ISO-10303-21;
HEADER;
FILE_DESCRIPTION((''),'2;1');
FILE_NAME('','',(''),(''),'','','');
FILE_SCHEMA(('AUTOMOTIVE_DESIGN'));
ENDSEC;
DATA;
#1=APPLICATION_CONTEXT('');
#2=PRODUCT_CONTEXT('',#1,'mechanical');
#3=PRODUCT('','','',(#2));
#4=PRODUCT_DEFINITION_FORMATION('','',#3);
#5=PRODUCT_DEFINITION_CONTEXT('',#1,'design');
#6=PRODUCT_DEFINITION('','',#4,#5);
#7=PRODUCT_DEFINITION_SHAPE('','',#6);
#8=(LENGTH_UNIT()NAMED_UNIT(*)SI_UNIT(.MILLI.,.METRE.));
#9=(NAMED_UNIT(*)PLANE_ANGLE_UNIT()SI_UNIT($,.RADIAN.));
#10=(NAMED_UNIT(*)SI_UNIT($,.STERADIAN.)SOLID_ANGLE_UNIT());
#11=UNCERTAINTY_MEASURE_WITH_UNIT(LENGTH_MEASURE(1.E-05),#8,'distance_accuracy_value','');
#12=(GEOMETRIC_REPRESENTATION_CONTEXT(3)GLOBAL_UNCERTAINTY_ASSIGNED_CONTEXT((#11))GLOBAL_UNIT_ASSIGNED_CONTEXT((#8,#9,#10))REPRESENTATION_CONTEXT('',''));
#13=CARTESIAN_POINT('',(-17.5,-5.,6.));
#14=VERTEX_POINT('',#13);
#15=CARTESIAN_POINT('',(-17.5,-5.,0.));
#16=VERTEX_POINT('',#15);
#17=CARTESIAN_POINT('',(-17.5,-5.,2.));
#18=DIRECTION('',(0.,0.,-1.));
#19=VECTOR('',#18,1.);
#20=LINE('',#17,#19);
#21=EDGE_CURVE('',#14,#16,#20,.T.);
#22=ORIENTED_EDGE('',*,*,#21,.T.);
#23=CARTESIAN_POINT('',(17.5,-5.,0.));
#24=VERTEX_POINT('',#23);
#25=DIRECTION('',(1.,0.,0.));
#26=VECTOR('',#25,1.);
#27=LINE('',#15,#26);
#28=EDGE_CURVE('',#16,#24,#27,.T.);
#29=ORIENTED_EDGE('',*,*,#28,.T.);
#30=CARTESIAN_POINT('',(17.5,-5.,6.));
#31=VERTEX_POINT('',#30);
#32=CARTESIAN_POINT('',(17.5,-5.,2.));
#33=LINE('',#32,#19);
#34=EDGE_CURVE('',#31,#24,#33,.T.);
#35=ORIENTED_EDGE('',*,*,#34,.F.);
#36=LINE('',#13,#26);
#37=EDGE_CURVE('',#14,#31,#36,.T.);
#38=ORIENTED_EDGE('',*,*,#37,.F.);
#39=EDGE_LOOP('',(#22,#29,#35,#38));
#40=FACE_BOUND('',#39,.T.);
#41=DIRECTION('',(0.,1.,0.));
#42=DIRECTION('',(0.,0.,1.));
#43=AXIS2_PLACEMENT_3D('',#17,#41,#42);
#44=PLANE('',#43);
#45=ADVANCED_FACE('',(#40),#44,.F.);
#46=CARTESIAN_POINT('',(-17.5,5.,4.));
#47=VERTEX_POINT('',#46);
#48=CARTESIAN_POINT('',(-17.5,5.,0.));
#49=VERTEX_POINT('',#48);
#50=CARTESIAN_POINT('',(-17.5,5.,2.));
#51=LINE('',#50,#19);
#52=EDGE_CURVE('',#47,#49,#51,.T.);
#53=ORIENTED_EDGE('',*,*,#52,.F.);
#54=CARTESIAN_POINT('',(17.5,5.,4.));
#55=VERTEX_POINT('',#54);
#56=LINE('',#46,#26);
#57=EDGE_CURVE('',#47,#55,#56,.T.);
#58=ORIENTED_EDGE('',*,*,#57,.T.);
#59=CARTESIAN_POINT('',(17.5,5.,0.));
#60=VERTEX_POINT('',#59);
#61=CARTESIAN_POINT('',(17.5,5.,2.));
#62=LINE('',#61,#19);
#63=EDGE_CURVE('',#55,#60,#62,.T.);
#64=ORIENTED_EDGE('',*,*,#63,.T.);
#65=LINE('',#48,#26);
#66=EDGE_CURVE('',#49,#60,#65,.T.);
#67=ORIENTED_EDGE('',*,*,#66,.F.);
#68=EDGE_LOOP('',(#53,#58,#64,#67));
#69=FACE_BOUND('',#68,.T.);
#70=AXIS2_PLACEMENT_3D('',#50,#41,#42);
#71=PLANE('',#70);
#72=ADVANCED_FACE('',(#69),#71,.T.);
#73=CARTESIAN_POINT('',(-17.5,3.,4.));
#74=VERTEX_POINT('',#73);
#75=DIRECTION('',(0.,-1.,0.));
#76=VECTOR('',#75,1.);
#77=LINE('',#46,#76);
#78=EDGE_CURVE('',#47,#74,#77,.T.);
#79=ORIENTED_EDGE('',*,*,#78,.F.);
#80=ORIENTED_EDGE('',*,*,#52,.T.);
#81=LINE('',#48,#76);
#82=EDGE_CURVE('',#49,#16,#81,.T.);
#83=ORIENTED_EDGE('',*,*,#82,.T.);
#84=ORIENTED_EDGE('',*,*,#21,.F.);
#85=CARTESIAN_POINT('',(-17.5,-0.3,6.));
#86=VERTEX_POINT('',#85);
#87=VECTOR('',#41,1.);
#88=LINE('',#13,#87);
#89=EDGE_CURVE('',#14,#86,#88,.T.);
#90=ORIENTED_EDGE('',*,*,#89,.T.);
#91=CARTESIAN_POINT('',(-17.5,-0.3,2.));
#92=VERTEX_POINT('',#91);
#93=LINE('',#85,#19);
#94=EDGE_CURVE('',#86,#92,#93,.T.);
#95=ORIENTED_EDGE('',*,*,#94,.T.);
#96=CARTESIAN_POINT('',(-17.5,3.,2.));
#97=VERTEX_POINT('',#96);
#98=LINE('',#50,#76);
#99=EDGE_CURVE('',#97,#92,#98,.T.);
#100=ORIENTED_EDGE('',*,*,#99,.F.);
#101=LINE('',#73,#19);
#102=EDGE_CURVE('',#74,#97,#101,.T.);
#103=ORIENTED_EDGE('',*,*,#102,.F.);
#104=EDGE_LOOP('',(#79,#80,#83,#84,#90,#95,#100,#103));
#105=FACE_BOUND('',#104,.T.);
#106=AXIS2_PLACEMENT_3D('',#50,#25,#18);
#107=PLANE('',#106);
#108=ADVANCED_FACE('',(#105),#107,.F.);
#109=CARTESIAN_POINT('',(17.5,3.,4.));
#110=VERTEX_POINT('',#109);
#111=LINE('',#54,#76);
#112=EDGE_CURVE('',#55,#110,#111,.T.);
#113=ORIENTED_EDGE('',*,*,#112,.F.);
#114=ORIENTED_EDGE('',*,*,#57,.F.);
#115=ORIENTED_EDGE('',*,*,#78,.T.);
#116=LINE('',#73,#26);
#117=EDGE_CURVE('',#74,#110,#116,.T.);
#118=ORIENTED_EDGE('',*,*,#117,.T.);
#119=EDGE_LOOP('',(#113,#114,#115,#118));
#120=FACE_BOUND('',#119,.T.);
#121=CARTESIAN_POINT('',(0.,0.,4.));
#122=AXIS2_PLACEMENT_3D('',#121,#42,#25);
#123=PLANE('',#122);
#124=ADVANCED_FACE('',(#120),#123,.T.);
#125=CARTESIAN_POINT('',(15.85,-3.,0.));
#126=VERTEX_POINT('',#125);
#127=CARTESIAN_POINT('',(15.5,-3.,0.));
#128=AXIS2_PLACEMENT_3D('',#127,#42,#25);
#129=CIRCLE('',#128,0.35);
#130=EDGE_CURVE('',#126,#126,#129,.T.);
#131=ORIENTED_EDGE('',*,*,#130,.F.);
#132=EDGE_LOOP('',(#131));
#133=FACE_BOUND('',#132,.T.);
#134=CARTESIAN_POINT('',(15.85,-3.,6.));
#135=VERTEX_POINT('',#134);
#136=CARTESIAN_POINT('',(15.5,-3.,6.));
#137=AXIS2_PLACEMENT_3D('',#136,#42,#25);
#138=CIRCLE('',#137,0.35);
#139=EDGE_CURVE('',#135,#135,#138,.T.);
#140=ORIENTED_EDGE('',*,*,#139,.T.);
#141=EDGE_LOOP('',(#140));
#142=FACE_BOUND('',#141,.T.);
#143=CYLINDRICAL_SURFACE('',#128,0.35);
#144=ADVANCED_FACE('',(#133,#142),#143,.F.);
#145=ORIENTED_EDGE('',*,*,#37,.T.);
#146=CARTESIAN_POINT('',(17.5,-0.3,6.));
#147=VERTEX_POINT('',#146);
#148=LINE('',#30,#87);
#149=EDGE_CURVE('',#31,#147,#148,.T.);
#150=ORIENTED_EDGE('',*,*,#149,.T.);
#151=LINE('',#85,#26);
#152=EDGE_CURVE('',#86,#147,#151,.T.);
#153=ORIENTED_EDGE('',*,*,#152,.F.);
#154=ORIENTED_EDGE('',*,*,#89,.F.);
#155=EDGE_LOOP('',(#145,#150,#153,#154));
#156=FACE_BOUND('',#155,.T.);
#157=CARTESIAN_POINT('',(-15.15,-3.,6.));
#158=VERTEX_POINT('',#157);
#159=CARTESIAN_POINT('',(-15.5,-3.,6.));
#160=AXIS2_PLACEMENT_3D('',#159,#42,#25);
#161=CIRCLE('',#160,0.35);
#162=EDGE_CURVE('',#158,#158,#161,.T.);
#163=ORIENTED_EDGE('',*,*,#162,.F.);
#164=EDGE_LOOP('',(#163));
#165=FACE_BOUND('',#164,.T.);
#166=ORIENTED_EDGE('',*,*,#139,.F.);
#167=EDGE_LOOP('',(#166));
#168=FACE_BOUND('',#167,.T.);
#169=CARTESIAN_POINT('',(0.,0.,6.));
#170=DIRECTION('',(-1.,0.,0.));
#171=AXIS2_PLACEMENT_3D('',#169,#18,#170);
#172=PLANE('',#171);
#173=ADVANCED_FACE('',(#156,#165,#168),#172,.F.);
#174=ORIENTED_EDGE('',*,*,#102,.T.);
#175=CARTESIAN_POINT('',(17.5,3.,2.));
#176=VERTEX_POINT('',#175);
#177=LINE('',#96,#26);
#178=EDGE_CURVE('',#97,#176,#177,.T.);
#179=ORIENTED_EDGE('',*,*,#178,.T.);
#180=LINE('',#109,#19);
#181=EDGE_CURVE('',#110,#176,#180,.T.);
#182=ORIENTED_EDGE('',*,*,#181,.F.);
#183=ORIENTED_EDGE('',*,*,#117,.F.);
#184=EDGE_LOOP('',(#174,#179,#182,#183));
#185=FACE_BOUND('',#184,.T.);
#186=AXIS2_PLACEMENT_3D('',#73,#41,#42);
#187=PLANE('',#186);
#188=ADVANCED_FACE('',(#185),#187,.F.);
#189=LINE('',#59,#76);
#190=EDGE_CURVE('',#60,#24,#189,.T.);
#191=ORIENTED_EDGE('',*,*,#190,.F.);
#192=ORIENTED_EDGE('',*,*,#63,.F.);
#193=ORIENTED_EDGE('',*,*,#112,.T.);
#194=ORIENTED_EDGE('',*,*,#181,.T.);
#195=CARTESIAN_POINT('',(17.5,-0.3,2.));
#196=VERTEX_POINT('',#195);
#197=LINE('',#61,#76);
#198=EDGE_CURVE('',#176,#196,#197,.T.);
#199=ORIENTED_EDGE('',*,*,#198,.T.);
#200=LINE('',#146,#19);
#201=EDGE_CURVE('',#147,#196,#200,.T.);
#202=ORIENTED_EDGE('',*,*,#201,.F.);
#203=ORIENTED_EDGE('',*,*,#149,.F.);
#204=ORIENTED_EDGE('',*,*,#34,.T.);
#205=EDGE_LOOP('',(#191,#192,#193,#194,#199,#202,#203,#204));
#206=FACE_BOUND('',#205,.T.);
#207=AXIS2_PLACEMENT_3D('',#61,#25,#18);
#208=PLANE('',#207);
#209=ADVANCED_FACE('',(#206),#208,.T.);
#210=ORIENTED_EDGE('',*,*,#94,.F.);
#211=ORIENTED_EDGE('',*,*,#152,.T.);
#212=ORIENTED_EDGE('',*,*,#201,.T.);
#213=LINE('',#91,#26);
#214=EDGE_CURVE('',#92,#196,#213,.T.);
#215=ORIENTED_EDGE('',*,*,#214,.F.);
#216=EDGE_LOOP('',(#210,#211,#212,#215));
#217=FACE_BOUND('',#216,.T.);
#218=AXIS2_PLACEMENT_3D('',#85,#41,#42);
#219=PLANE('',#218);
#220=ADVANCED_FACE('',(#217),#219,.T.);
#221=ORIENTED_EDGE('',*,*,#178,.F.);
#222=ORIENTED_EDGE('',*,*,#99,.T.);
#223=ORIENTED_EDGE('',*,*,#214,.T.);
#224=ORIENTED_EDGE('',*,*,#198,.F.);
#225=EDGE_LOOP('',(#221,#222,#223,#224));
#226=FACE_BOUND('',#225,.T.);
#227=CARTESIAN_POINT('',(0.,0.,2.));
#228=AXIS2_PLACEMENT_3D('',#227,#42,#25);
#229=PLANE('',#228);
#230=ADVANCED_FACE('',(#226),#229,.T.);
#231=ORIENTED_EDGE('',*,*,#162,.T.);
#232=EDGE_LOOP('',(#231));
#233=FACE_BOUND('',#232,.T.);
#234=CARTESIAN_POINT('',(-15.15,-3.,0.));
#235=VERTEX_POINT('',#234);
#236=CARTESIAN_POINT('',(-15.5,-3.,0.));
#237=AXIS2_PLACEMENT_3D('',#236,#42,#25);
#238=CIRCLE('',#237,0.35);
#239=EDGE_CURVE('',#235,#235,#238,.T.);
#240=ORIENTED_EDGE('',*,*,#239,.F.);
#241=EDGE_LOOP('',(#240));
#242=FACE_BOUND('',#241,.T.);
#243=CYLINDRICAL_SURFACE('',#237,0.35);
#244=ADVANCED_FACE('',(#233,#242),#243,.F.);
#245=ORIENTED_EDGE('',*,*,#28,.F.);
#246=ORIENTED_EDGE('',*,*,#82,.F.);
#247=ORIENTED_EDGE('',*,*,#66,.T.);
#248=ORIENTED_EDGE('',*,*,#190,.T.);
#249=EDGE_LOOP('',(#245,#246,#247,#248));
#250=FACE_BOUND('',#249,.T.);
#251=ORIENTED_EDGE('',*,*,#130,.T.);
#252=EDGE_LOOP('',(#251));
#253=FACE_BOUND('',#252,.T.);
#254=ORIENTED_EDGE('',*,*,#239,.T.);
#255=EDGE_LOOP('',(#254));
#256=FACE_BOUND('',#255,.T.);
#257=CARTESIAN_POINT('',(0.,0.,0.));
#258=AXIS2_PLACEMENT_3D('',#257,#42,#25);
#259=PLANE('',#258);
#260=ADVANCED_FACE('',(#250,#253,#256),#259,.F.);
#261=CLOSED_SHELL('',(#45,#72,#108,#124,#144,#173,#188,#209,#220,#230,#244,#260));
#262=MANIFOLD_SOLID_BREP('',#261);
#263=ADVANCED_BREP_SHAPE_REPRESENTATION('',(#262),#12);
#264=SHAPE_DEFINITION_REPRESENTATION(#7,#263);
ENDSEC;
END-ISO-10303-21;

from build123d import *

# Parameters (mm, degrees)
SKETCH_1_W          = 35
SKETCH_1_H          = 10
EXTRUDE_1_DEPTH     = 2
SKETCH_3_W          = 35
SKETCH_3_H          = 2
EXTRUDE_2_DEPTH     = 2
SKETCH_3_3_W        = 35
SKETCH_3_3_H        = 4.7
EXTRUDE_3_DEPTH     = 4
SKETCH_4_R          = 0.35
CUT_EXTRUDE_1_DEPTH = 20.163767897


with BuildPart() as part:
    # 草图1 → 凸台-拉伸1 (new body)
    with BuildSketch(Plane.XY):
        Rectangle(SKETCH_1_W, SKETCH_1_H)
    extrude(amount=EXTRUDE_1_DEPTH)

    # 草图3 → 凸台-拉伸2 (add)
    with BuildSketch(Plane.XY.offset(2)):
        with Locations((0, 4)):
            Rectangle(SKETCH_3_W, SKETCH_3_H)
    extrude(amount=EXTRUDE_2_DEPTH)

    # 草图3<3> → 凸台-拉伸3 (add)
    with BuildSketch(Plane.XY.offset(2)):
        with Locations((0, -2.65)):
            Rectangle(SKETCH_3_3_W, SKETCH_3_3_H)
    extrude(amount=EXTRUDE_3_DEPTH)

    # 草图4 → 切除-拉伸1 (cut, through all)
    with BuildSketch(Plane.XY.offset(6)):
        with Locations((15.5, -3)):
            Circle(SKETCH_4_R)
        with Locations((-15.5, -3)):
            Circle(SKETCH_4_R)
    extrude(amount=-CUT_EXTRUDE_1_DEPTH, mode=Mode.SUBTRACT)


solid = part.part
